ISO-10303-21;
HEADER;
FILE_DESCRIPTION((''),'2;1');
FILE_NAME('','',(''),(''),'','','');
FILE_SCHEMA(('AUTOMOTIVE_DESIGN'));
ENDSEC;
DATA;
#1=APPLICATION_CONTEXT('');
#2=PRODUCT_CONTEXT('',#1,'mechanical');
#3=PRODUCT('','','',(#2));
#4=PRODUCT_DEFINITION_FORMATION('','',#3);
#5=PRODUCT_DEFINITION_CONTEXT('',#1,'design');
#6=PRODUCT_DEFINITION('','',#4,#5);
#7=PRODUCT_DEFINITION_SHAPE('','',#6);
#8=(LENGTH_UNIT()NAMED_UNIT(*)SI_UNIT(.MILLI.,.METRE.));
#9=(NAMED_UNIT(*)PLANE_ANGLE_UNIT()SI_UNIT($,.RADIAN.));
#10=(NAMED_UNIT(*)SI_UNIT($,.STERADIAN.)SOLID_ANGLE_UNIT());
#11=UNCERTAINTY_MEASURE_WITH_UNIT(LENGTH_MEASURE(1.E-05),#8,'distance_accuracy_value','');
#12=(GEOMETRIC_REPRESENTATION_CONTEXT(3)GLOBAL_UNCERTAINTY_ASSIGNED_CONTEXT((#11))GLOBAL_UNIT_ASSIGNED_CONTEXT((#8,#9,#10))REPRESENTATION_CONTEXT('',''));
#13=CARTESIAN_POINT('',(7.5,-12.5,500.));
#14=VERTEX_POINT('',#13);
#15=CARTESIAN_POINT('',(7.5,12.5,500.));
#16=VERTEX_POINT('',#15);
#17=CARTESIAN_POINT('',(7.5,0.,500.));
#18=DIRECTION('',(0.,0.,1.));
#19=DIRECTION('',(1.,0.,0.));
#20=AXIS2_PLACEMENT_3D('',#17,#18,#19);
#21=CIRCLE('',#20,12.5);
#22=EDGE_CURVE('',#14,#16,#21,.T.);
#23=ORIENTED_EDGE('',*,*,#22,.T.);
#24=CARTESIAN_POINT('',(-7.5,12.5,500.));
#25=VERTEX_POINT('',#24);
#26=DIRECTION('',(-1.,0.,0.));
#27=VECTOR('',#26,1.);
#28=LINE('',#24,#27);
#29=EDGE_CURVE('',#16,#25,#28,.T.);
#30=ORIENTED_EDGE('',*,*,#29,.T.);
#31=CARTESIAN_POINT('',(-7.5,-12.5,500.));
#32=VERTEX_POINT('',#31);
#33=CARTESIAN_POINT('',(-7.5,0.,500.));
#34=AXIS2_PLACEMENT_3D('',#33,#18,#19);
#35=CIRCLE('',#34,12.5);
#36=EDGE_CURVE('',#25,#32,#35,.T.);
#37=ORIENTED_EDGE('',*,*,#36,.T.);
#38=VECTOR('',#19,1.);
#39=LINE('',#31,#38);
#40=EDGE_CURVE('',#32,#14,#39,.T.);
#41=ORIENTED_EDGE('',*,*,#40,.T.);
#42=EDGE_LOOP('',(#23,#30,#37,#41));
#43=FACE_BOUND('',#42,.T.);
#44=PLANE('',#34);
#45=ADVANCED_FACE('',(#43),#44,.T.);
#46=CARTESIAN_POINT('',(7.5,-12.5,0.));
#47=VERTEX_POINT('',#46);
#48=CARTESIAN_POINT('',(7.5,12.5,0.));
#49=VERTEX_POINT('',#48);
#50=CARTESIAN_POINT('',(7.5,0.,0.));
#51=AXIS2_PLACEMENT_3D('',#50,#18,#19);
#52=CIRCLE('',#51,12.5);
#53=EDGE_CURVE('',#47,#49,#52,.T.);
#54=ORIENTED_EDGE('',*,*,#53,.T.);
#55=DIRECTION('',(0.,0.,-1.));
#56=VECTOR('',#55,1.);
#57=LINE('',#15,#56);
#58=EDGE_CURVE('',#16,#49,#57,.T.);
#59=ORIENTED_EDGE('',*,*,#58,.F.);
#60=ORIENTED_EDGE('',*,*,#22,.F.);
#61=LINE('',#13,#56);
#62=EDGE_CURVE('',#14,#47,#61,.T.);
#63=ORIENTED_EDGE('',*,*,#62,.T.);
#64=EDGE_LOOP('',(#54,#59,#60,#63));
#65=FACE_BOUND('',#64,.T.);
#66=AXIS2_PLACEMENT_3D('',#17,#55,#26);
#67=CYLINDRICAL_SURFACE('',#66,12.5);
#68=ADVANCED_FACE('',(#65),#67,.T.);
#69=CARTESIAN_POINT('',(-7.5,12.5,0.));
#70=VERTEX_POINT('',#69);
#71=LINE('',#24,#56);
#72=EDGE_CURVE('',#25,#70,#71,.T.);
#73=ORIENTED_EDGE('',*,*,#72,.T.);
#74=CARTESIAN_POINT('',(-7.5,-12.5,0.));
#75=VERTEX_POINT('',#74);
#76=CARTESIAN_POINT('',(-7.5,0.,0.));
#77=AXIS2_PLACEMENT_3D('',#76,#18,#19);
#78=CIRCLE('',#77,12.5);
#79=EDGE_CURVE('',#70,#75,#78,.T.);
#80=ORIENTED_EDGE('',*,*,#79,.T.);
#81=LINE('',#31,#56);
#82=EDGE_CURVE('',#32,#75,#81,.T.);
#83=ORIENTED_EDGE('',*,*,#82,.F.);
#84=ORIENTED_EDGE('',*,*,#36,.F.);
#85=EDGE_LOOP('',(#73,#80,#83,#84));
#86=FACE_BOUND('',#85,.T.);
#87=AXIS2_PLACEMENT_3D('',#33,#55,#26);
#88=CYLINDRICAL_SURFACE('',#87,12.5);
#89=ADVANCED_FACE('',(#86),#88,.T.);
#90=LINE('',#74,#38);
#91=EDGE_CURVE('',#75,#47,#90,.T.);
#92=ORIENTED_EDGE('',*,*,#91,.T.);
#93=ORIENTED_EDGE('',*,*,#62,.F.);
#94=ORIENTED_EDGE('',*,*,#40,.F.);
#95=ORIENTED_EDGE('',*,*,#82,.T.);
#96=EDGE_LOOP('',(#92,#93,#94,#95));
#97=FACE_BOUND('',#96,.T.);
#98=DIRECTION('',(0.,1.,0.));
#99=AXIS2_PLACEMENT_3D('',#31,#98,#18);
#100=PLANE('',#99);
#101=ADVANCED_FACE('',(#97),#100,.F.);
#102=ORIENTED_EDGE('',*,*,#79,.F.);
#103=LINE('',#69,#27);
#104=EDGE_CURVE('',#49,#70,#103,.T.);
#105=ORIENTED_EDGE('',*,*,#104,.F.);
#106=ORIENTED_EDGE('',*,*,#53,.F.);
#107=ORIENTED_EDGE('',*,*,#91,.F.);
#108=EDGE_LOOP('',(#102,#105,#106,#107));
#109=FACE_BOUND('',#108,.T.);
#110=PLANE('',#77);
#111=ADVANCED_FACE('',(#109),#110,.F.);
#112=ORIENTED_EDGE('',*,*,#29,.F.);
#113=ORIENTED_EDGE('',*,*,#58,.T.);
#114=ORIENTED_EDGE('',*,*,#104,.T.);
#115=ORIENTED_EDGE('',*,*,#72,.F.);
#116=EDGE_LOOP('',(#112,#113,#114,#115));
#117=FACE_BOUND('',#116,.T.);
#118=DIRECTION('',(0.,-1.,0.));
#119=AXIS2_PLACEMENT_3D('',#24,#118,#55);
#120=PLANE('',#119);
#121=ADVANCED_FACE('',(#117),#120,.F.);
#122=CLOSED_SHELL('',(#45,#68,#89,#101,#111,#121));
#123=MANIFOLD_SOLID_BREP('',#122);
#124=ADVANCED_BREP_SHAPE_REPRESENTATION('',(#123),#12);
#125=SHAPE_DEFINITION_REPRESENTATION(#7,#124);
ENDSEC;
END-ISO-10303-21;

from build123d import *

# Parameters (mm, degrees)
BOSS_EXTRUDE1_DEPTH = 500


with BuildPart() as part:
    # Sketch1 → Boss-Extrude1 (new body)
    with BuildSketch(Plane.XY):
        with BuildLine():
            Line((-7.5, 12.5), (7.5, 12.5))
            ThreePointArc((7.5, 12.5), (20, 0), (7.5, -12.5))
            Line((7.5, -12.5), (-7.5, -12.5))
            ThreePointArc((-7.5, -12.5), (-20, 0), (-7.5, 12.5))
        make_face()
    extrude(amount=BOSS_EXTRUDE1_DEPTH)


solid = part.part
